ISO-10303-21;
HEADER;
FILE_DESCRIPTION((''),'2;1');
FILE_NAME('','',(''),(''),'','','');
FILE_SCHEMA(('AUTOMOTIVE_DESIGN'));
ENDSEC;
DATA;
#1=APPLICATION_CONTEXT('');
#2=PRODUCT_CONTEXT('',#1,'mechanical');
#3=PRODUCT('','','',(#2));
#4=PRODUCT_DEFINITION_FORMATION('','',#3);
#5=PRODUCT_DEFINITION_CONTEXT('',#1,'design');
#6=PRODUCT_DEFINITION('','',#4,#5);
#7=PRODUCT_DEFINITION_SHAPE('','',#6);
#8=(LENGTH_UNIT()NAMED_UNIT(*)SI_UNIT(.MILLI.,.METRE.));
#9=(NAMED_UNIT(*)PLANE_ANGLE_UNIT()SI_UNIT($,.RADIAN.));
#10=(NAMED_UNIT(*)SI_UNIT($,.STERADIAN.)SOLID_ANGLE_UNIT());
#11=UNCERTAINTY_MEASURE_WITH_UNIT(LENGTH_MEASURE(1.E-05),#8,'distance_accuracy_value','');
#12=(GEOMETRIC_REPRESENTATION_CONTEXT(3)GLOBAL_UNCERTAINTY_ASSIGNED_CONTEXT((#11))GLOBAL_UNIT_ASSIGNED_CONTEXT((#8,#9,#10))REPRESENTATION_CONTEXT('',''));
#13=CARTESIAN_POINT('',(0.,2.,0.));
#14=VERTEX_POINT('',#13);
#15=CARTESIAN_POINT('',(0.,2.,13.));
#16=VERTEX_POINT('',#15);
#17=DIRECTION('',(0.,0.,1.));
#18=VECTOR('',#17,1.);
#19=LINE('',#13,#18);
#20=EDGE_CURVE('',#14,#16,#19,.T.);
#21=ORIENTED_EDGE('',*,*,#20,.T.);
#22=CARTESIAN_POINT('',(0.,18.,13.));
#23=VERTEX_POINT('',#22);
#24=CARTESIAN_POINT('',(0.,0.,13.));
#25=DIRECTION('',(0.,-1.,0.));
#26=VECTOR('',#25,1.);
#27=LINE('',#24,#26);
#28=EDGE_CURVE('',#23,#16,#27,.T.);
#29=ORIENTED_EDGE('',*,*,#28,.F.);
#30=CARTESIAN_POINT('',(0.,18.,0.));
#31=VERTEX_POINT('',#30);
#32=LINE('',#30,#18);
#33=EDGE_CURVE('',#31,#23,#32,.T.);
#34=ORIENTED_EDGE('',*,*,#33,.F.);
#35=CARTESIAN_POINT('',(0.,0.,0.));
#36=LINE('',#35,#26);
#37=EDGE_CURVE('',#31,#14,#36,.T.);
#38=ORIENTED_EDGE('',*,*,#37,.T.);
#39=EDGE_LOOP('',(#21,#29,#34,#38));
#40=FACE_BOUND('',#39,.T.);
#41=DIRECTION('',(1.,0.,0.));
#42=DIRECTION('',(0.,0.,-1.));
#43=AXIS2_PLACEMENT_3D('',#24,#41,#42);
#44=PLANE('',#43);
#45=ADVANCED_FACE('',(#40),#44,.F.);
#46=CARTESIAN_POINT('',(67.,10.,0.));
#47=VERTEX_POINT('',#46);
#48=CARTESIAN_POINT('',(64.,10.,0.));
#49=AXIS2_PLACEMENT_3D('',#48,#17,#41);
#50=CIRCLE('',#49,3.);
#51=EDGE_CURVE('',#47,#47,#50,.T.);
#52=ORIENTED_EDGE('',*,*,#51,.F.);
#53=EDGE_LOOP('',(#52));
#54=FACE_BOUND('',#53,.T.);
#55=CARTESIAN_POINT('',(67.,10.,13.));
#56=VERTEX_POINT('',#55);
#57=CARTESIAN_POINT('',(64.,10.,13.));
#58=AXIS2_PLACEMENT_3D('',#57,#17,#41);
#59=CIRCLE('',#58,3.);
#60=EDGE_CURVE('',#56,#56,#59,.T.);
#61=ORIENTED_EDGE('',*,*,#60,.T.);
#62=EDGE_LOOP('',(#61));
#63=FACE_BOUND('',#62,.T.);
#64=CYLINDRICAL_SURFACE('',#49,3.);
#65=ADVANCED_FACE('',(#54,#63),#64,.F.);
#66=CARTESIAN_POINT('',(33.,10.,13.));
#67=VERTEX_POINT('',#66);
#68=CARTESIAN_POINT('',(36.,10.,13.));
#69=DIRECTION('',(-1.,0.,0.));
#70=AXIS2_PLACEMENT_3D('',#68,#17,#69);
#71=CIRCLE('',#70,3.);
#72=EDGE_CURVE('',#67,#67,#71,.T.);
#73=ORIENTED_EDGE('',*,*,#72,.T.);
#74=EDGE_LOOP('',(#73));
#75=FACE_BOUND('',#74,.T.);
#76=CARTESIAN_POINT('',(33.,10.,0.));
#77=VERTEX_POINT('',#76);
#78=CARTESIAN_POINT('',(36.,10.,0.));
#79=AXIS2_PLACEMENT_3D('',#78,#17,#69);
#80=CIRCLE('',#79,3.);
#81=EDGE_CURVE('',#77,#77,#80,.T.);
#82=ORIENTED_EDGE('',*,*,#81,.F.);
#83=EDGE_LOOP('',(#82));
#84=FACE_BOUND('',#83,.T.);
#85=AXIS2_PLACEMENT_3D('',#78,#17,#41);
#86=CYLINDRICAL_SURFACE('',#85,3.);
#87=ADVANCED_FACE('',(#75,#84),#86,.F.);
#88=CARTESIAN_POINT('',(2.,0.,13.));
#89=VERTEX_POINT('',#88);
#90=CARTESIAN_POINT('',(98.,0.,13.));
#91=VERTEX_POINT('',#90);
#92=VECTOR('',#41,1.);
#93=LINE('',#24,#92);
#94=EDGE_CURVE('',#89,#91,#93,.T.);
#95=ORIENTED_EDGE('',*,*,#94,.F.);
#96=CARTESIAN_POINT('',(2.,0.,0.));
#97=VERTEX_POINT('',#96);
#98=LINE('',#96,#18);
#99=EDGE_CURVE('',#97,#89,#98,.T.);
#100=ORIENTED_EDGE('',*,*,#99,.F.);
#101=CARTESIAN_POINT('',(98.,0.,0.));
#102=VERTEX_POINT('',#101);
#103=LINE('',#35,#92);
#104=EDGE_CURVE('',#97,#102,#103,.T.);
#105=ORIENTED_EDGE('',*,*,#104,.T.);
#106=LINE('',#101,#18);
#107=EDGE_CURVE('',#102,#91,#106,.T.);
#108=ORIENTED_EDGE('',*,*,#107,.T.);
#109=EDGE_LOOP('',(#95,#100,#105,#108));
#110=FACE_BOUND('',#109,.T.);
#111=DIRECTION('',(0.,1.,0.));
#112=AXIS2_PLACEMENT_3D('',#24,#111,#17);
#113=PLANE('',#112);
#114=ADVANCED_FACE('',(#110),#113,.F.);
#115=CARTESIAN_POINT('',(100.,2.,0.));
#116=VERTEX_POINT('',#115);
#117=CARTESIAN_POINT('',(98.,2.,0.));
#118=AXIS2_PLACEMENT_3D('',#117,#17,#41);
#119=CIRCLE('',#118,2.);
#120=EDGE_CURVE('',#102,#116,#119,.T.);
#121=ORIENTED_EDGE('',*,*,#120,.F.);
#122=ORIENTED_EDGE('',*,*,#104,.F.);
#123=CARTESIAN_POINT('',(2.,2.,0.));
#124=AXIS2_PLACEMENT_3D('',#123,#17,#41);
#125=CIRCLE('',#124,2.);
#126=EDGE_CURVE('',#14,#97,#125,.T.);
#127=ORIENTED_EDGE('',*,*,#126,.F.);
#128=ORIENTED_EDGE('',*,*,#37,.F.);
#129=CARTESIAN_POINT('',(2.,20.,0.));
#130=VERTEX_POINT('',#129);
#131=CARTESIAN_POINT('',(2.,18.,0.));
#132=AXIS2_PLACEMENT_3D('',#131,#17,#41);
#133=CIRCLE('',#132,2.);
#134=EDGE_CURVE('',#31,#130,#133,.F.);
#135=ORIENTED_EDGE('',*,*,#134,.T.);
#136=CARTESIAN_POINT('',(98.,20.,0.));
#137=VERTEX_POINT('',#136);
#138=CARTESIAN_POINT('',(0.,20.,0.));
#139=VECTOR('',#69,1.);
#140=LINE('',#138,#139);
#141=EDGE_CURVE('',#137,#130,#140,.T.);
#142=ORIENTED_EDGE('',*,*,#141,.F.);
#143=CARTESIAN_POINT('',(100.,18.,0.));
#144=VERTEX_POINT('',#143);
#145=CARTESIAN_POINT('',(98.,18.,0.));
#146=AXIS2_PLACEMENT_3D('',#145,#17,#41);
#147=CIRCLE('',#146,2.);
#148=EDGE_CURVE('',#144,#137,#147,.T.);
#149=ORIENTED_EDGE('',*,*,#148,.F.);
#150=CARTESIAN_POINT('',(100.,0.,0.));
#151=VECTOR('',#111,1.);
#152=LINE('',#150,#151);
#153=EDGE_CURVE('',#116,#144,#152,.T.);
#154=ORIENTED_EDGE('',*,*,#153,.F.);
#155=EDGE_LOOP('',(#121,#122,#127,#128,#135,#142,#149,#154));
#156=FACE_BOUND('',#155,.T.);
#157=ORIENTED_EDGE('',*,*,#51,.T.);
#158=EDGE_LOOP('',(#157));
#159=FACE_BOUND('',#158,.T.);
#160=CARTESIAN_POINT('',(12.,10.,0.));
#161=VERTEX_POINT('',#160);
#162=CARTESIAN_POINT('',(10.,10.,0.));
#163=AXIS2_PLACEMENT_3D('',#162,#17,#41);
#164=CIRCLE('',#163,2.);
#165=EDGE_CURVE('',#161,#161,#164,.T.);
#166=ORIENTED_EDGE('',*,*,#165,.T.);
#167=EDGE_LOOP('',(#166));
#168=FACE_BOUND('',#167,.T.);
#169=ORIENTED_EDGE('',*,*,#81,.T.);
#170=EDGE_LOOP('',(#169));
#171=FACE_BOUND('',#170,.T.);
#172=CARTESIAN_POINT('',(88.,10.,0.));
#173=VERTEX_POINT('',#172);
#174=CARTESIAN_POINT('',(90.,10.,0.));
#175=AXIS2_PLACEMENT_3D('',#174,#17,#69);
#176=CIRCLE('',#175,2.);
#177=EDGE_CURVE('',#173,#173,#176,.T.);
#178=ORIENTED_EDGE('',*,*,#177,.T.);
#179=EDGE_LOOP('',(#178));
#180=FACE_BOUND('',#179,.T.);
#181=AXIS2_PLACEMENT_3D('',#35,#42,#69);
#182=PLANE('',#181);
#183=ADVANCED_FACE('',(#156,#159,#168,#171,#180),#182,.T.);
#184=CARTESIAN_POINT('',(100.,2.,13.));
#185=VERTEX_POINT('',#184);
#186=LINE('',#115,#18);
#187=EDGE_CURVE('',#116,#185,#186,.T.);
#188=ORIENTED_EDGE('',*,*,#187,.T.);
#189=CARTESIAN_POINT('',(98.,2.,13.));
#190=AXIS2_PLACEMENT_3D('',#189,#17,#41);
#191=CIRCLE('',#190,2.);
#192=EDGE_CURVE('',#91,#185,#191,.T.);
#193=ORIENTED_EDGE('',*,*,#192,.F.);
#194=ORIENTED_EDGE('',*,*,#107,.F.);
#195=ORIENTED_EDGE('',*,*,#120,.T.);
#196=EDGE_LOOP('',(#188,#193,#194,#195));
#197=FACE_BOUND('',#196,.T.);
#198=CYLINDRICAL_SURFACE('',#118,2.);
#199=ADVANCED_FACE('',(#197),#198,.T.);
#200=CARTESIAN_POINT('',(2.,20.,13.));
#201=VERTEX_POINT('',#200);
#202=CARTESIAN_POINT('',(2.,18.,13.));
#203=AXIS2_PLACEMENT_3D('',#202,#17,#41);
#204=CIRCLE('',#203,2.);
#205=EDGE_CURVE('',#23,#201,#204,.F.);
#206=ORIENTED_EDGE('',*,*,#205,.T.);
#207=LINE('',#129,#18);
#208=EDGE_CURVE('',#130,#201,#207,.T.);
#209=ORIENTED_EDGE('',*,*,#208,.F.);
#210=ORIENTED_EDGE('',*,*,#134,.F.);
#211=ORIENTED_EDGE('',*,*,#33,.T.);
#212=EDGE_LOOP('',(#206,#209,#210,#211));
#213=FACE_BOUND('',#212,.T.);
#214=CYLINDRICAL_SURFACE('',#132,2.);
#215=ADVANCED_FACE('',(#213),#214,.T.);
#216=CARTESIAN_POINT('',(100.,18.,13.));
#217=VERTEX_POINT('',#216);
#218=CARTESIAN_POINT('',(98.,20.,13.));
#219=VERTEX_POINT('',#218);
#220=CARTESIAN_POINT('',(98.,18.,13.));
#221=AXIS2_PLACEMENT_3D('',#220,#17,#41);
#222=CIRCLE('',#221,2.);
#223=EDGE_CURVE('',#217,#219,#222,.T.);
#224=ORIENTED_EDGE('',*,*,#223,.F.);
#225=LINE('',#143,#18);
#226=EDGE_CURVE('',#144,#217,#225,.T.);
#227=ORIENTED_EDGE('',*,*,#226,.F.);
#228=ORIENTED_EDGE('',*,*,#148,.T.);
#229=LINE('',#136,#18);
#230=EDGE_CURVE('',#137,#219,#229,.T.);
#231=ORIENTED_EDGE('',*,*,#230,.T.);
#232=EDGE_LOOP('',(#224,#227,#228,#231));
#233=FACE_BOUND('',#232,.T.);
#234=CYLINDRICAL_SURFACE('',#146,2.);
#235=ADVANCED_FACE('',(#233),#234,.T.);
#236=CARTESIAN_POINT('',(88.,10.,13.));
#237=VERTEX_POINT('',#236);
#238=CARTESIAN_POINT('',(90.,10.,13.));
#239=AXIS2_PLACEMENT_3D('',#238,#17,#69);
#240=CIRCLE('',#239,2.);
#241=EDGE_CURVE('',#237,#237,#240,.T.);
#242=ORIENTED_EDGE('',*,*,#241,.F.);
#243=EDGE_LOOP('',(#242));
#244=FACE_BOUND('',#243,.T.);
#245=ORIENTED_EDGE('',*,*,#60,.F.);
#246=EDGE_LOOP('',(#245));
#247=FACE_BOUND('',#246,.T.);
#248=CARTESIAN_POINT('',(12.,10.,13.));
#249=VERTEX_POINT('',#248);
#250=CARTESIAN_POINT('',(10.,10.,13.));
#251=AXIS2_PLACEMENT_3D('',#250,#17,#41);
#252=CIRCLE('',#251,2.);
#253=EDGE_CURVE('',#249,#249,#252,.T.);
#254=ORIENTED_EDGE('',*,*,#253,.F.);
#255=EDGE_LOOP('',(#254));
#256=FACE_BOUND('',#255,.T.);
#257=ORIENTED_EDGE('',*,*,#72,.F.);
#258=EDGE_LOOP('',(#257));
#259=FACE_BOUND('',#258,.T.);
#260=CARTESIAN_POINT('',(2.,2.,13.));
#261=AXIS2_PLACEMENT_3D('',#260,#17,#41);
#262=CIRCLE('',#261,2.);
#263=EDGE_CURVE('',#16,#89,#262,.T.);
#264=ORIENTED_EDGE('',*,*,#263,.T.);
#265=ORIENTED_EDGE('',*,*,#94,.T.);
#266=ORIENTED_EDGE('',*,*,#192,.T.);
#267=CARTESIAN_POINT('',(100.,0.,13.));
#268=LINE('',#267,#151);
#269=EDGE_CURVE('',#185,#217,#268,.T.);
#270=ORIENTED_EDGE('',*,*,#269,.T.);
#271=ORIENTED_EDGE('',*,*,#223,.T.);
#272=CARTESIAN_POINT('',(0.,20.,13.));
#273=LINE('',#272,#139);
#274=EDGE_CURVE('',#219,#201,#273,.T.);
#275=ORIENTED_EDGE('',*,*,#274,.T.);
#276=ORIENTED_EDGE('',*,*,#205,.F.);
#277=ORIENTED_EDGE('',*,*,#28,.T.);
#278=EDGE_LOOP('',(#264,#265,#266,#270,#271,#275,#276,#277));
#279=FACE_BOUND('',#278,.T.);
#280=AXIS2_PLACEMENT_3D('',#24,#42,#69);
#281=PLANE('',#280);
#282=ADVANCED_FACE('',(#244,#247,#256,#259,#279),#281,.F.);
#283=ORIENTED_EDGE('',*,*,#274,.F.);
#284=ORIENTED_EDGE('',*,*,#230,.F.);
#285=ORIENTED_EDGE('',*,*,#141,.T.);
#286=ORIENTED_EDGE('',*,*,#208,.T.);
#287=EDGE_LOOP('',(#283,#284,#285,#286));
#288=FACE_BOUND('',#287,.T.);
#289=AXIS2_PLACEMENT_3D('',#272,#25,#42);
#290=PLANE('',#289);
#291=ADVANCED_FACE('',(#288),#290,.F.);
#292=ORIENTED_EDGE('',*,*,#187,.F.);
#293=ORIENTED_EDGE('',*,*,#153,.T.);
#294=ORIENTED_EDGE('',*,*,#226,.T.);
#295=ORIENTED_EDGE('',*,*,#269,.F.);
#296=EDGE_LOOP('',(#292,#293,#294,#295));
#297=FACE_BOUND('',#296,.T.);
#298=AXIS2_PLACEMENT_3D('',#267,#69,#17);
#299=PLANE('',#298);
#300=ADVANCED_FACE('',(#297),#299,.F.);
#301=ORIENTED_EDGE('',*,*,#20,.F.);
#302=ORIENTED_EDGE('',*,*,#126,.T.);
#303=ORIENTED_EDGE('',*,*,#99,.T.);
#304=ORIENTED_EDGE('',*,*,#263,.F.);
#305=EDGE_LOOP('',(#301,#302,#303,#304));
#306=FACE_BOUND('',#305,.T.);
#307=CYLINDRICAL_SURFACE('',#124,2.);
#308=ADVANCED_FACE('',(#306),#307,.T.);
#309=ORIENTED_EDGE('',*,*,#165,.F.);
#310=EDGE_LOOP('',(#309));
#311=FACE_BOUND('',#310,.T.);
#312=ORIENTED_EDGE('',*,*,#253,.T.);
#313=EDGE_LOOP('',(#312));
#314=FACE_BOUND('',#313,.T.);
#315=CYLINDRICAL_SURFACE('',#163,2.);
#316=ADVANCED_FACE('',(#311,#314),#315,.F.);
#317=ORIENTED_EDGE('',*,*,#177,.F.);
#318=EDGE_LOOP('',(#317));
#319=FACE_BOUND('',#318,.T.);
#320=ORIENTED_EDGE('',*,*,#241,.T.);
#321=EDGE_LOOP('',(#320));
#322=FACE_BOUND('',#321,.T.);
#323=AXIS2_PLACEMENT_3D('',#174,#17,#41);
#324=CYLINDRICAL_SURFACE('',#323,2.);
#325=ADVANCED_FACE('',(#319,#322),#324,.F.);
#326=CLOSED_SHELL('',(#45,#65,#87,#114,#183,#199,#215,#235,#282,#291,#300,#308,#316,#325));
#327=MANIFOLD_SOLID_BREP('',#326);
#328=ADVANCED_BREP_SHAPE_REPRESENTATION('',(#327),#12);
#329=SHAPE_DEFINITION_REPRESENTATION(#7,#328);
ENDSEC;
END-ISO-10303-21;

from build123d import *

# Parameters (mm, degrees)
SKETCH1_W           = 100
SKETCH1_H           = 20
BOSS_EXTRUDE1_DEPTH = 13
SKETCH2_R           = 3
SKETCH2_R_2         = 2
CUT_EXTRUDE1_DEPTH  = 13
CUT_EXTRUDE2_DEPTH  = 13


with BuildPart() as part:
    # Sketch1 → Boss-Extrude1 (new body)
    with BuildSketch(Plane.XY):
        with Locations((50, 10)):
            Rectangle(SKETCH1_W, SKETCH1_H)
    extrude(amount=BOSS_EXTRUDE1_DEPTH)

    # Sketch2 → Cut-Extrude1 (cut)
    with BuildSketch(Plane.XY.offset(13)):
        with Locations((64, 10)):
            Circle(SKETCH2_R)
        with Locations((36, 10)):
            Circle(SKETCH2_R)
        with Locations((10, 10)):
            Circle(SKETCH2_R_2)
        with Locations((90, 10)):
            Circle(SKETCH2_R_2)
    extrude(amount=-CUT_EXTRUDE1_DEPTH, mode=Mode.SUBTRACT)

    # Sketch3 → Cut-Extrude2 (cut)
    with BuildSketch(Plane.XY.offset(13)):
        with BuildLine():
            ThreePointArc((98, 20), (99.414213562, 19.414213562), (100, 18))
            Line((100, 18), (100, 20))
            Line((100, 20), (98, 20))
        make_face()
        with BuildLine():
            ThreePointArc((100, 2), (99.414213562, 0.585786438), (98, 0))
            Line((98, 0), (100, 0))
            Line((100, 0), (100, 2))
        make_face()
        with BuildLine():
            Line((0, 0), (2, 0))
            ThreePointArc((2, 0), (0.585786438, 0.585786438), (0, 2))
            Line((0, 2), (0, 0))
        make_face()
        with BuildLine():
            Line((0, 20), (0, 18))
            ThreePointArc((0, 18), (0.585786438, 19.414213562), (2, 20))
            Line((2, 20), (0, 20))
        make_face()
    extrude(amount=-CUT_EXTRUDE2_DEPTH, mode=Mode.SUBTRACT)


solid = part.part
